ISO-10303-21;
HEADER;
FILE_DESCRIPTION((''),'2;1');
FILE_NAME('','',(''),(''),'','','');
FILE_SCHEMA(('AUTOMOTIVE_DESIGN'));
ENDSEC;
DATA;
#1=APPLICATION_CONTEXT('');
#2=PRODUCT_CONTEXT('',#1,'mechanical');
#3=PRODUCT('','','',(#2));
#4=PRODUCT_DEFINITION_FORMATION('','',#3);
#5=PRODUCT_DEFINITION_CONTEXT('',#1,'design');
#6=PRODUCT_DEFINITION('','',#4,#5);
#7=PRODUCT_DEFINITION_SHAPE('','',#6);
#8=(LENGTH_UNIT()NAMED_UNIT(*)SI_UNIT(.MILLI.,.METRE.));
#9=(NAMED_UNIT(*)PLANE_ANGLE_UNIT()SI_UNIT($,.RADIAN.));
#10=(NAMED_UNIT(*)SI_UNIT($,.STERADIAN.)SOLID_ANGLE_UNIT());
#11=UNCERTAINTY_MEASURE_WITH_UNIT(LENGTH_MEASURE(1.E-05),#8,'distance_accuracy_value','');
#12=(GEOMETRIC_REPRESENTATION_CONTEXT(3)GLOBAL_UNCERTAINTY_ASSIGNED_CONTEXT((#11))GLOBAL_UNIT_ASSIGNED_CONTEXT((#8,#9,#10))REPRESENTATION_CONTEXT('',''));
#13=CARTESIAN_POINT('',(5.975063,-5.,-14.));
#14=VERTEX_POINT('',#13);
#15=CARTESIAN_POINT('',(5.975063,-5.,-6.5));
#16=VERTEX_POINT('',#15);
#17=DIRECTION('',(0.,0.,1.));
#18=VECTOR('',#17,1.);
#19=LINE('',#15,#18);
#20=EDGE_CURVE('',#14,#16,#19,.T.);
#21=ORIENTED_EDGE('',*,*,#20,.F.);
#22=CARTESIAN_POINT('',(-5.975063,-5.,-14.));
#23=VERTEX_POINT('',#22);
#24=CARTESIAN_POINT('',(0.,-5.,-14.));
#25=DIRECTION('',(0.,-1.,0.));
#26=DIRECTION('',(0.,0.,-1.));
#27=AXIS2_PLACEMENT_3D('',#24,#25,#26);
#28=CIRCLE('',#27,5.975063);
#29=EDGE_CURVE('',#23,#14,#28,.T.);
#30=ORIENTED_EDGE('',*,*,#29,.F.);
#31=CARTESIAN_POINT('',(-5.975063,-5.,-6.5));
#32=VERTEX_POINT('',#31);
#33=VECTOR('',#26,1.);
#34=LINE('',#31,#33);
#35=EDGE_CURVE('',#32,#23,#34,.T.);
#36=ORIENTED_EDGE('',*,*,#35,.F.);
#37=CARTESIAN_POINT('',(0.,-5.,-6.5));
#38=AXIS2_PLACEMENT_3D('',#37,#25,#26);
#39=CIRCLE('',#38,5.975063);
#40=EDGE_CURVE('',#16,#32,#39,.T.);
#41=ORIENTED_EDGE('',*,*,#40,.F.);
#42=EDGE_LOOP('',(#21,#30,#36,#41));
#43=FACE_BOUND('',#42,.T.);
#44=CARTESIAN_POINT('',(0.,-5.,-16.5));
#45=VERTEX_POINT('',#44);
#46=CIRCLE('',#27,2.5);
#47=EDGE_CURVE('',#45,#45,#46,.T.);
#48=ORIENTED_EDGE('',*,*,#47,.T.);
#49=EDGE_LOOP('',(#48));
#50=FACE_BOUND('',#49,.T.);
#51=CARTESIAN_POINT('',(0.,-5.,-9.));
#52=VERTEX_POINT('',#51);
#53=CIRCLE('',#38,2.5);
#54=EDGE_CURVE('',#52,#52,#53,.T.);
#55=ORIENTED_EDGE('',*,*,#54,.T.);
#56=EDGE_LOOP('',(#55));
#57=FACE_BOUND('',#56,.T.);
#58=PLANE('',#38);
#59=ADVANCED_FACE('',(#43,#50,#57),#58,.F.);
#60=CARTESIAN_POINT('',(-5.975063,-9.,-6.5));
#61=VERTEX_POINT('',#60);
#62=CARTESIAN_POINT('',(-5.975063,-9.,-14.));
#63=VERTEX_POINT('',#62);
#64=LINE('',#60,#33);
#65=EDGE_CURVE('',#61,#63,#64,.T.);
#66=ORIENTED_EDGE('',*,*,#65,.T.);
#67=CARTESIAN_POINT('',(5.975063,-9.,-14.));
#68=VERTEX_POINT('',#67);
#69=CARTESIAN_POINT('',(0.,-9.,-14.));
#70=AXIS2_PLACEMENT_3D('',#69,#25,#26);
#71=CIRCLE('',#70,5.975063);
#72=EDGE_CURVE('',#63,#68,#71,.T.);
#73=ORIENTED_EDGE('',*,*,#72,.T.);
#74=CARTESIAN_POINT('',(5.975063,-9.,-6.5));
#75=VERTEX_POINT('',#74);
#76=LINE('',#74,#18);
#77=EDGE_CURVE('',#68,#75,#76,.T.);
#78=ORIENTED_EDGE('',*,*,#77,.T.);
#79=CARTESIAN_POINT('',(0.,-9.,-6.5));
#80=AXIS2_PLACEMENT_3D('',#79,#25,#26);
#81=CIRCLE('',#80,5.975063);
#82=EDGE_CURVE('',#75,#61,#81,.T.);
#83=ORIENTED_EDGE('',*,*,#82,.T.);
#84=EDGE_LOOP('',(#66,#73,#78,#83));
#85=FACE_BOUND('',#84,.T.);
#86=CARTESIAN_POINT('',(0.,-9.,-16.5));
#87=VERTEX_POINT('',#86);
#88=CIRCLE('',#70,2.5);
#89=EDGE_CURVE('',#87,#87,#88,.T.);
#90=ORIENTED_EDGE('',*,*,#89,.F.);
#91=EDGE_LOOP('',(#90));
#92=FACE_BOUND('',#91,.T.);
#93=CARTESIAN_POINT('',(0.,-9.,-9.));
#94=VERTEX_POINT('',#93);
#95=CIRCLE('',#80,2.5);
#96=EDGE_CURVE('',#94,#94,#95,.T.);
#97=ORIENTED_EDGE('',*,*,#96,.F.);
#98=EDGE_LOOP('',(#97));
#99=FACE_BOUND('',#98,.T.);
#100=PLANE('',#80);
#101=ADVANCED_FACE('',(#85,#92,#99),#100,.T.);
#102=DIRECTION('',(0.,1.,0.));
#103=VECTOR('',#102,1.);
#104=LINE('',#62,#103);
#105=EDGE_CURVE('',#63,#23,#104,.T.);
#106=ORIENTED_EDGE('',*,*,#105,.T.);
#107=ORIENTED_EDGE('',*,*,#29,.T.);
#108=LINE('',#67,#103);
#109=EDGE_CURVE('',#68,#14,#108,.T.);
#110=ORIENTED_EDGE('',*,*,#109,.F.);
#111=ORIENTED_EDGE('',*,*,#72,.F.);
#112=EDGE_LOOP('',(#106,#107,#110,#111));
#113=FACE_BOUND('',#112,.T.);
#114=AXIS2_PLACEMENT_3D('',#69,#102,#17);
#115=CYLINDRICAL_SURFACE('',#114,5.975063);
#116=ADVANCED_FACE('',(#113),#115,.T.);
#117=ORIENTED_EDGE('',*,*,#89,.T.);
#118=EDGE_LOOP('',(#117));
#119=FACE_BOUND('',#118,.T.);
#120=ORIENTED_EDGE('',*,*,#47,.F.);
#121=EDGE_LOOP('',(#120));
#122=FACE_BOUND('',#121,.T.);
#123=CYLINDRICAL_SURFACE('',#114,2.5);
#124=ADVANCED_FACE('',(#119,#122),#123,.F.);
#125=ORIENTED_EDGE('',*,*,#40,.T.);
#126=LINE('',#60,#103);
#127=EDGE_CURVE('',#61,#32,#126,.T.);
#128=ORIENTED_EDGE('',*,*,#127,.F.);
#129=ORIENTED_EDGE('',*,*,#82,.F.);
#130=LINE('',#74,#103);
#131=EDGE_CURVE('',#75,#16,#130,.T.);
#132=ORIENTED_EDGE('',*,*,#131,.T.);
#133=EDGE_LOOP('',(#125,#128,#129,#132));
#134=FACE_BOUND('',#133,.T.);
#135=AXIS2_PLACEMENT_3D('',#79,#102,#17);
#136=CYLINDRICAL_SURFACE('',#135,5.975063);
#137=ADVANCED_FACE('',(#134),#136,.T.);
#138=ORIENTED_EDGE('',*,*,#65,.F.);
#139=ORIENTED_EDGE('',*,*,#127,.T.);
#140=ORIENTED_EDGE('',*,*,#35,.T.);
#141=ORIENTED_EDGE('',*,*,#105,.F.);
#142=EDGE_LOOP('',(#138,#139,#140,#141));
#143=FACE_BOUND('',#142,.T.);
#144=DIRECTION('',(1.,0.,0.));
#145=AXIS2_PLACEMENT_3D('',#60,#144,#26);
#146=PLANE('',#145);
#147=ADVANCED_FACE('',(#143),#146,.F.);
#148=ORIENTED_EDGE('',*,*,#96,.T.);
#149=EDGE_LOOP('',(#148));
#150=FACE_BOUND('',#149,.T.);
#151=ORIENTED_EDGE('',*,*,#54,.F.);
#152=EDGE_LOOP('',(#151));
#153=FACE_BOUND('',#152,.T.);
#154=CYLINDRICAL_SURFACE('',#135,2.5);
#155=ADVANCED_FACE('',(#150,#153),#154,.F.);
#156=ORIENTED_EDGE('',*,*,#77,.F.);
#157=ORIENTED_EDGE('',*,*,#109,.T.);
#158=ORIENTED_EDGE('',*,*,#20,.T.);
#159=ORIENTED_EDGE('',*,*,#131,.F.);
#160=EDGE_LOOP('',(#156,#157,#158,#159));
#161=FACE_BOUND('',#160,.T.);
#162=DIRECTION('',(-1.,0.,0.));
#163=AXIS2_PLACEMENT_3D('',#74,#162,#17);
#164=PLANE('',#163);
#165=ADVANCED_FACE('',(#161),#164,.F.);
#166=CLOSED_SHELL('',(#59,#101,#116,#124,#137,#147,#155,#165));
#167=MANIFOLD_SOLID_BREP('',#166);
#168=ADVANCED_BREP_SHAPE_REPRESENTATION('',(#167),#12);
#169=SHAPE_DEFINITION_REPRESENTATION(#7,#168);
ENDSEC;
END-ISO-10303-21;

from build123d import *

# Parameters (mm, degrees)
SKIZZE16_R                      = 2.5
AUFSATZ_LINEAR_AUSTRAGEN1_DEPTH = 4


with BuildPart() as part:
    # Skizze16 → Aufsatz-Linear austragen1 (new body)
    with BuildSketch(Plane.XZ.offset(5)):
        with BuildLine():
            Line((5.975062847, -6.5), (5.975062847, -14))
            ThreePointArc((5.975062847, -14), (0, -19.975062847), (-5.975062847, -14))
            Line((-5.975062847, -14), (-5.975062847, -6.5))
            ThreePointArc((-5.975062847, -6.5), (0, -0.524937153), (5.975062847, -6.5))
        make_face()
        with Locations(Location((0, -14, 0), (0, 0, 270))):
            Circle(SKIZZE16_R, mode=Mode.SUBTRACT)
        with Locations(Location((0, -6.5, 0), (0, 0, 270))):
            Circle(SKIZZE16_R, mode=Mode.SUBTRACT)
    extrude(amount=AUFSATZ_LINEAR_AUSTRAGEN1_DEPTH)


solid = part.part
